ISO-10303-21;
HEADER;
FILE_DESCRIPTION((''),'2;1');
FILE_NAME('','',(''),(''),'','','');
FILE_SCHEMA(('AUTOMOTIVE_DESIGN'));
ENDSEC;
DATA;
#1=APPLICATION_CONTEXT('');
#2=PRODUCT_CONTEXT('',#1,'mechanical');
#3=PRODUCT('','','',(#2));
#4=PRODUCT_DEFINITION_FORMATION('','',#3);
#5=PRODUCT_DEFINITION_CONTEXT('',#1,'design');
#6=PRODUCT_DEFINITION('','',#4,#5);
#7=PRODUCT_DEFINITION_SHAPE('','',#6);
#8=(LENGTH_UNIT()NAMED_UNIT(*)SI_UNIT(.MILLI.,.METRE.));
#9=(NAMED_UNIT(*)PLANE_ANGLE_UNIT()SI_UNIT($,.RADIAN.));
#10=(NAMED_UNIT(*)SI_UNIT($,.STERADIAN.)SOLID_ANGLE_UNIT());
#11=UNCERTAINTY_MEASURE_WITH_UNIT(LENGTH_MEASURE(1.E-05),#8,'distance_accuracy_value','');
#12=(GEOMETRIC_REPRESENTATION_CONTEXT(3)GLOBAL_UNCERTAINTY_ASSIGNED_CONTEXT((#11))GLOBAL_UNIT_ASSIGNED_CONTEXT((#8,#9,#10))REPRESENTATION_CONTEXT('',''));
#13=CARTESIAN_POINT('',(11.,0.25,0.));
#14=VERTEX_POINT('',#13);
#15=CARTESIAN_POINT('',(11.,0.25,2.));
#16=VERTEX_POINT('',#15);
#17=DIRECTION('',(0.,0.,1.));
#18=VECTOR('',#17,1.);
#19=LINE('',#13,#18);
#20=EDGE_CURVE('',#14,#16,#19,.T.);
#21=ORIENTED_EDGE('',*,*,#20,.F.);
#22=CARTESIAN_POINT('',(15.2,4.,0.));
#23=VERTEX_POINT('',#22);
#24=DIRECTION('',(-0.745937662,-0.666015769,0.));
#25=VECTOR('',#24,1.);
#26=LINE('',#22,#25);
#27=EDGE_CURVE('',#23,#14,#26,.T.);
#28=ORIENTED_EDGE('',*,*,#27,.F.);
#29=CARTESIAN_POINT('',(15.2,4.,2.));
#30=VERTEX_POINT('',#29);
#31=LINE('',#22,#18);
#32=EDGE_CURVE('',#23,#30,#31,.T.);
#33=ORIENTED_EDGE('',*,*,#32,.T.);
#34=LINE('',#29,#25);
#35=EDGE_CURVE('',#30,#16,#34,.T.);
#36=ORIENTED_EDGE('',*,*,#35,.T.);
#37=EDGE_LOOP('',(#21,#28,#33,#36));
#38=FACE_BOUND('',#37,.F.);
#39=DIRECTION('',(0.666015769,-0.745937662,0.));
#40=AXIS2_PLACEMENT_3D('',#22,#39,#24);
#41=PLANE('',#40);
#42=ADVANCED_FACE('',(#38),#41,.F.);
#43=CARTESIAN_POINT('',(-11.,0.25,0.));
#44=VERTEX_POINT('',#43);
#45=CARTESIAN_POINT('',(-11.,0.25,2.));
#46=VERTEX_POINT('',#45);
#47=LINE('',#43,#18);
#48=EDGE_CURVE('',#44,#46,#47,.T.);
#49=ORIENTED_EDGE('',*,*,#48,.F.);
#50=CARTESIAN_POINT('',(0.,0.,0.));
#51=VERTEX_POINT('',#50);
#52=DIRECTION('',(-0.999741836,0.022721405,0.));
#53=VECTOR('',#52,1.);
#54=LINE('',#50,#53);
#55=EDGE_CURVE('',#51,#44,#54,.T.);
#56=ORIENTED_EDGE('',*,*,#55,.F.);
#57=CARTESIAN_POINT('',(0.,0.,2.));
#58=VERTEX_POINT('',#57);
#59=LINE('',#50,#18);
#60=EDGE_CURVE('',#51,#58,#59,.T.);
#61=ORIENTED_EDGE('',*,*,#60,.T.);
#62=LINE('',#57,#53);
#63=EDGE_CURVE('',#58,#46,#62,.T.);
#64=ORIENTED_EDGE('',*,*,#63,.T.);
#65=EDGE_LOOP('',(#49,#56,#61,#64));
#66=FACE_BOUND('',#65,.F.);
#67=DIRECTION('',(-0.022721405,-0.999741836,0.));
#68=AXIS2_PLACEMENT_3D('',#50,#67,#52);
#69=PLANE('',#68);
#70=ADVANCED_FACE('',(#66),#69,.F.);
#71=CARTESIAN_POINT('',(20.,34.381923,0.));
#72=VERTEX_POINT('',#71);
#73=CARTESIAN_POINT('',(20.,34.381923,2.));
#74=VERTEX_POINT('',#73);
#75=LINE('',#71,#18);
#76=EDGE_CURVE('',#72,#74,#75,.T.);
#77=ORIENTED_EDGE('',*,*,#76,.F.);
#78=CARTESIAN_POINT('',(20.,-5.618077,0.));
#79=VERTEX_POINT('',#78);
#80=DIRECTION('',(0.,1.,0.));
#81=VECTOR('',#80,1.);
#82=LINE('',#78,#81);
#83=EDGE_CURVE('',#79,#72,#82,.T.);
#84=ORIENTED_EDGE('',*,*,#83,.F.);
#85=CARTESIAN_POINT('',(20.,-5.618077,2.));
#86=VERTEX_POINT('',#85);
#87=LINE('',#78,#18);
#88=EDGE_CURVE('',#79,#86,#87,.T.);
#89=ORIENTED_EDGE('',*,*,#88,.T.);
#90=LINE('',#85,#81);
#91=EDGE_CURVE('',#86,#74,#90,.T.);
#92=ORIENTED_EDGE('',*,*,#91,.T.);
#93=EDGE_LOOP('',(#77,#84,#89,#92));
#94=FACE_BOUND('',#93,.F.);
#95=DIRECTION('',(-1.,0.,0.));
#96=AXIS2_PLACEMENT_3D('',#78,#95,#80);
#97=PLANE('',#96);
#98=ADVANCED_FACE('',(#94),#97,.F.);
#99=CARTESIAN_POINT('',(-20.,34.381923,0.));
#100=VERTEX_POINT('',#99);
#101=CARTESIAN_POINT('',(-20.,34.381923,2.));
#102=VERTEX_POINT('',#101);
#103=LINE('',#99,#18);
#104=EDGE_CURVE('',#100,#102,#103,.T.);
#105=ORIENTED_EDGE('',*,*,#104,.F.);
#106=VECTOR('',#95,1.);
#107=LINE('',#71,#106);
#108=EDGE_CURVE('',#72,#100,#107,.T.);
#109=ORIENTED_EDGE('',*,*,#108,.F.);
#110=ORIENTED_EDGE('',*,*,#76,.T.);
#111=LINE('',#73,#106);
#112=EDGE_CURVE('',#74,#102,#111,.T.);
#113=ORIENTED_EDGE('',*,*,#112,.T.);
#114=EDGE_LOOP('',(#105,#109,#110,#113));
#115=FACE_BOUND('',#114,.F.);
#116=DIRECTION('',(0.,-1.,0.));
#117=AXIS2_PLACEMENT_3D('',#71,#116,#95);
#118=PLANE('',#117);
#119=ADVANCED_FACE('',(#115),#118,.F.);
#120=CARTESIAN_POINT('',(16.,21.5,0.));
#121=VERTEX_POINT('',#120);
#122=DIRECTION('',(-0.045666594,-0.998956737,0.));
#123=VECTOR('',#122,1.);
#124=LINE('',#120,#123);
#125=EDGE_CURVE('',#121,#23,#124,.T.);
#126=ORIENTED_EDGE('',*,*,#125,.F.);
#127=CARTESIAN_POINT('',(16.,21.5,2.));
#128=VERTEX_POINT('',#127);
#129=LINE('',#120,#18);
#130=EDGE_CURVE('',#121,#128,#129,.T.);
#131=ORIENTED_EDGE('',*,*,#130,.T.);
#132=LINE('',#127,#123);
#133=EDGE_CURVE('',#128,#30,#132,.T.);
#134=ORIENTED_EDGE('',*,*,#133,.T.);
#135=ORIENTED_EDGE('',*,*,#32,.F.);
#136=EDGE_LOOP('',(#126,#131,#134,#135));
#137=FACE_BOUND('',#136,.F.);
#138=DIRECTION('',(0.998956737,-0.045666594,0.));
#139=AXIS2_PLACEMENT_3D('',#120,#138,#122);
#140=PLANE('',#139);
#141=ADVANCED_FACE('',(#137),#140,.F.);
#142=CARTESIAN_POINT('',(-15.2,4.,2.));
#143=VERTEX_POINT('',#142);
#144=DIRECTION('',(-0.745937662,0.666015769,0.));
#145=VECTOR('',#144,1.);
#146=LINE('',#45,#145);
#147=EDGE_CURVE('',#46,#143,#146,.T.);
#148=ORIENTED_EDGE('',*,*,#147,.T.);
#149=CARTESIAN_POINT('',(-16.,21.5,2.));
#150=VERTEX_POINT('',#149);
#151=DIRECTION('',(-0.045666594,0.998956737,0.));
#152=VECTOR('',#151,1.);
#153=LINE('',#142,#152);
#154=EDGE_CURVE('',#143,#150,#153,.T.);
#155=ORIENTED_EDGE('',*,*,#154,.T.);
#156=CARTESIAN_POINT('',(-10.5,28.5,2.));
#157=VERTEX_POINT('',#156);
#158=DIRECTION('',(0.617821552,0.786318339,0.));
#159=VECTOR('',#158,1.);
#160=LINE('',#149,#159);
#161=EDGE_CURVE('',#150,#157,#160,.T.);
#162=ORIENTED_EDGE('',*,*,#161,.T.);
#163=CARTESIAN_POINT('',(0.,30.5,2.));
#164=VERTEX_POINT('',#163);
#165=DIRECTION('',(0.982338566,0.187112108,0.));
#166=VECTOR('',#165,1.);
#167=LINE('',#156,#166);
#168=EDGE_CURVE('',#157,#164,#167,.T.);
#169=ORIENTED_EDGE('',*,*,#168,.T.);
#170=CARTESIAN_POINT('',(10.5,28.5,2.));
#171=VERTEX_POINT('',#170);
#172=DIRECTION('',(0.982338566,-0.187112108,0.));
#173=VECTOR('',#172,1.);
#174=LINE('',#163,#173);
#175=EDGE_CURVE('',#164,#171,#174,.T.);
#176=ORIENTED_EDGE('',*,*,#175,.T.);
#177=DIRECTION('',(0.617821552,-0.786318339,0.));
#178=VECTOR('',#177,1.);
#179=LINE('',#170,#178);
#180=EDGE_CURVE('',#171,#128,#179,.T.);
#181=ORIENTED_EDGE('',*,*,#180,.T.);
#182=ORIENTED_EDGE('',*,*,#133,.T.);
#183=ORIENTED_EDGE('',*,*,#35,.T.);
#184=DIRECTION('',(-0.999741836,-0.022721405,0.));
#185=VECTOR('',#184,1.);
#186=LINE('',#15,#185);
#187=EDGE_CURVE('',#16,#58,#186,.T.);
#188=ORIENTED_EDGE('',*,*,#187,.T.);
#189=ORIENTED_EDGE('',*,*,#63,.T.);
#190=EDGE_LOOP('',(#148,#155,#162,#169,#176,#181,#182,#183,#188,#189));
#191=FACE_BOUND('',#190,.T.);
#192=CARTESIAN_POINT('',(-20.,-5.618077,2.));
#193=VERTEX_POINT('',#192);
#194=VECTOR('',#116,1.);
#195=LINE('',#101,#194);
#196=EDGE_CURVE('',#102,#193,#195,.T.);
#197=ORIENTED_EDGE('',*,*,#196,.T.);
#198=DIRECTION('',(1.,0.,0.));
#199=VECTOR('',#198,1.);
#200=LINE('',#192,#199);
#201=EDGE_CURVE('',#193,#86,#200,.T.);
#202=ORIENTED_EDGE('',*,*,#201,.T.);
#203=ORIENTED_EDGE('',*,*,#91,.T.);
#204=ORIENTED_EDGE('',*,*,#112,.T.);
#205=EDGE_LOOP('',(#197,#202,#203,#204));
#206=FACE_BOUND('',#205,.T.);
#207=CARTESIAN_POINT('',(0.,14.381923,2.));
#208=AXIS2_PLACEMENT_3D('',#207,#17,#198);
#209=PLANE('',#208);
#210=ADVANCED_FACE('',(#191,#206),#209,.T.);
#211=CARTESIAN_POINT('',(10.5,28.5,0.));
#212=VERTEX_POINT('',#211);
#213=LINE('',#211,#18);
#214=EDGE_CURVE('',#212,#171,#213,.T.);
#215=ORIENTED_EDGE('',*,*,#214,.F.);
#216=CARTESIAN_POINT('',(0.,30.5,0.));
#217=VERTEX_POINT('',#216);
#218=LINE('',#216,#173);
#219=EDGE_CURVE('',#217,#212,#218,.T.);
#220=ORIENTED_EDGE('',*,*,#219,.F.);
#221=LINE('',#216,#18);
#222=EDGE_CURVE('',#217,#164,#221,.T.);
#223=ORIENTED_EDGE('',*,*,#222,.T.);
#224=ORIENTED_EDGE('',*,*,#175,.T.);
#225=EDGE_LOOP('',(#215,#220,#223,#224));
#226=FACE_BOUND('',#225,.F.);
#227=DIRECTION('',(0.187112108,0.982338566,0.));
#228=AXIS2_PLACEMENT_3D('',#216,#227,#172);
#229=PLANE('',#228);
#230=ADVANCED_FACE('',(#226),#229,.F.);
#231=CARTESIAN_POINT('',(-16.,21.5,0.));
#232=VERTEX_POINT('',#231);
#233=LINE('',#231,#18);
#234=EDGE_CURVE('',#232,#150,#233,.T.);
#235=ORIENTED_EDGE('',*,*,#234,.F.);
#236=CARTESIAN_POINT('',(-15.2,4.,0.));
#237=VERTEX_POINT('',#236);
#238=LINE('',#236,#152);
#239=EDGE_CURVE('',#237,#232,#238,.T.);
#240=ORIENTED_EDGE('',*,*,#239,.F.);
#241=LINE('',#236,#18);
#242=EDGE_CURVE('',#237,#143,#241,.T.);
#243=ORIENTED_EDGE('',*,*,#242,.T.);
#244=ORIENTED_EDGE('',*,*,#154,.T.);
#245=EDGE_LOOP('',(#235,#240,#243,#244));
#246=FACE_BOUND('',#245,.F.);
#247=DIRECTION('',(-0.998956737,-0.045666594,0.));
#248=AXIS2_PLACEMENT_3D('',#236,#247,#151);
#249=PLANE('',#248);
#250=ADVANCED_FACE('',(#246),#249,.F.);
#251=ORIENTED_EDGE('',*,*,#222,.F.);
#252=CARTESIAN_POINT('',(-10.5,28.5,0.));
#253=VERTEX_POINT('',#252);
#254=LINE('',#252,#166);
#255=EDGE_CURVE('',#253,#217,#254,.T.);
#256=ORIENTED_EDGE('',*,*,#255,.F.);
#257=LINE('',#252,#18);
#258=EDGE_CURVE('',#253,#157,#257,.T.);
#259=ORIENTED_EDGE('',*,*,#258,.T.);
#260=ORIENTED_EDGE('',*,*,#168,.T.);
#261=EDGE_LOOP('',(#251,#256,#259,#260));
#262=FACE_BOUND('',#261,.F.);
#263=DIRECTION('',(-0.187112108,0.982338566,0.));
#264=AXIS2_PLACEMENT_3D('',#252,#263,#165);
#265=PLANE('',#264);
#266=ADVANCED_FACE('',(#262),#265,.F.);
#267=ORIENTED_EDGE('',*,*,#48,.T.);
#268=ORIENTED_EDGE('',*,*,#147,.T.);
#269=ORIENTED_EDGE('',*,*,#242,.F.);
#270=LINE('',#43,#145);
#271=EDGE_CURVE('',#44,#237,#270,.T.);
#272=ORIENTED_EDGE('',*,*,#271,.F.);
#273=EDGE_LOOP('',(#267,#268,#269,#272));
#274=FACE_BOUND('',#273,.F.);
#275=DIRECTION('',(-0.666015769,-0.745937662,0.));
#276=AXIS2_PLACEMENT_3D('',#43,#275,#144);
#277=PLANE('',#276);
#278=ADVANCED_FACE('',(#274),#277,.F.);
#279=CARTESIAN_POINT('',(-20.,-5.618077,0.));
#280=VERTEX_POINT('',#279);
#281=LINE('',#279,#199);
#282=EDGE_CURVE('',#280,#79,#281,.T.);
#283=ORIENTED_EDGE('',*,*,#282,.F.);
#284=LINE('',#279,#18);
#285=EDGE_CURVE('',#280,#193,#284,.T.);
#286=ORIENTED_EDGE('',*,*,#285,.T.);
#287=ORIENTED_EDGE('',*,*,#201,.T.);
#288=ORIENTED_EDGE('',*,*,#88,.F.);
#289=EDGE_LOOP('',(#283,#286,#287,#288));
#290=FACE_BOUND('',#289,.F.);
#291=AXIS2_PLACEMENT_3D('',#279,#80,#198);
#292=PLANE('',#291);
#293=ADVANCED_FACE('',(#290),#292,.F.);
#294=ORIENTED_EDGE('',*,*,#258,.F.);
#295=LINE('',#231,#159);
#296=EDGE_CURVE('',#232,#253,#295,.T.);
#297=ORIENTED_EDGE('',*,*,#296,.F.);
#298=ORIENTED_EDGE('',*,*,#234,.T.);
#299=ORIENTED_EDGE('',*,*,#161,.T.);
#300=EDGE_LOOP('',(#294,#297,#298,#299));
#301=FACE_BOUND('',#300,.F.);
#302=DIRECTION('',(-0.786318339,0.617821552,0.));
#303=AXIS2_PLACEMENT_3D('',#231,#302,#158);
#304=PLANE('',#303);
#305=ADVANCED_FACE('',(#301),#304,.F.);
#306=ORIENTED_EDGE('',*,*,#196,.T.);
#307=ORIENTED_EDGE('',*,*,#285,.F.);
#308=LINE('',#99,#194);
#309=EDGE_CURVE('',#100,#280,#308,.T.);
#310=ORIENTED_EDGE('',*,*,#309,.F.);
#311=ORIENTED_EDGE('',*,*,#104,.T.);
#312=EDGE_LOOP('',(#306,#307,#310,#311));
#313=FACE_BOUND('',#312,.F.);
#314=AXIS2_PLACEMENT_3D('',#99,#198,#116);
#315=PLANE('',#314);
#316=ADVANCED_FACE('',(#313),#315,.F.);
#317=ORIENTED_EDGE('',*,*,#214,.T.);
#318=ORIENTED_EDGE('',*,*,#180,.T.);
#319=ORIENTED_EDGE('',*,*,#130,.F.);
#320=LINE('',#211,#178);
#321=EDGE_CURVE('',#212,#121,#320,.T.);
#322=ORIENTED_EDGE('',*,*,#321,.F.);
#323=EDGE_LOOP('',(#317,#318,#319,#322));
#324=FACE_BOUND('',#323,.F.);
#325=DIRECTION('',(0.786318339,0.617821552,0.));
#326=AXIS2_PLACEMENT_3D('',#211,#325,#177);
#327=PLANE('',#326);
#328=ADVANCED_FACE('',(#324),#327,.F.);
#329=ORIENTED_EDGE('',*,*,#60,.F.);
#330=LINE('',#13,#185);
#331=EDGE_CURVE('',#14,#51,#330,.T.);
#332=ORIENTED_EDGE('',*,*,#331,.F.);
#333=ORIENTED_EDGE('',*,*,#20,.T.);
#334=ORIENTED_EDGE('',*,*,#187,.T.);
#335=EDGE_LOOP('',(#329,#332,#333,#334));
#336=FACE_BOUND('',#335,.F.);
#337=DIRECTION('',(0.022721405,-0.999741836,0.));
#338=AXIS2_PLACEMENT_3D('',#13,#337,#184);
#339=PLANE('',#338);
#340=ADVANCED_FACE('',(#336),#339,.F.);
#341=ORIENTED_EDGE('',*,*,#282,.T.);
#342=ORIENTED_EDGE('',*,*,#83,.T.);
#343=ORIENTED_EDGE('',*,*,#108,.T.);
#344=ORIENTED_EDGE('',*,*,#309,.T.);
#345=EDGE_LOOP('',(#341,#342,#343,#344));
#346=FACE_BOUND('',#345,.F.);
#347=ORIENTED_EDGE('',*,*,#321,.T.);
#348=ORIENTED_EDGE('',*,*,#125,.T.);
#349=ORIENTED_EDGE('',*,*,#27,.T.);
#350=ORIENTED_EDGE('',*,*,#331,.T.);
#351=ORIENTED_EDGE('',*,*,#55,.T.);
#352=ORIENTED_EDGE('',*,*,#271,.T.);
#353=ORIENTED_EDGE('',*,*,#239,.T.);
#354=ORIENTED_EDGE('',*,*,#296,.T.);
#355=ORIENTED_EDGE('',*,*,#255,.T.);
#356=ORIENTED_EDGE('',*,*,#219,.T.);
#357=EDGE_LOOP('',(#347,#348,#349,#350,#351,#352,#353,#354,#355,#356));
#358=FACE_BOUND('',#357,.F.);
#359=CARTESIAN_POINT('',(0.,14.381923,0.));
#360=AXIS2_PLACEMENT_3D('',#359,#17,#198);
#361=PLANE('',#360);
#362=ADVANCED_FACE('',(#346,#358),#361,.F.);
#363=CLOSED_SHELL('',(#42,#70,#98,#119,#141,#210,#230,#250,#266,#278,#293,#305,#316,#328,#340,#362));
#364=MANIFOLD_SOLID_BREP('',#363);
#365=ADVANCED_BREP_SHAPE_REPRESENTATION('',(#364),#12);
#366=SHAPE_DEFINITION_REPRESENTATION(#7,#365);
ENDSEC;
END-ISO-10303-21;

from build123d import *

# Parameters (mm, degrees)
F1_DEPTH = 2


with BuildPart() as f1:
    # F0 (on Top) → F1 (new body)
    with BuildSketch(Plane.XY):
        Polygon((-20, -5.618077), (0, -5.618077), (20, -5.618077), (20, 34.381923), (0, 34.381923), (-20, 34.381923), align=None)
        Polygon((-10.5, 28.5), (0, 30.5), (10.5, 28.5), (16, 21.5), (15.2, 4), (11, 0.25), (0, 0), (-11, 0.25), (-15.2, 4), (-16, 21.5), align=None, mode=Mode.SUBTRACT)
    extrude(amount=F1_DEPTH)


solid = f1.part
